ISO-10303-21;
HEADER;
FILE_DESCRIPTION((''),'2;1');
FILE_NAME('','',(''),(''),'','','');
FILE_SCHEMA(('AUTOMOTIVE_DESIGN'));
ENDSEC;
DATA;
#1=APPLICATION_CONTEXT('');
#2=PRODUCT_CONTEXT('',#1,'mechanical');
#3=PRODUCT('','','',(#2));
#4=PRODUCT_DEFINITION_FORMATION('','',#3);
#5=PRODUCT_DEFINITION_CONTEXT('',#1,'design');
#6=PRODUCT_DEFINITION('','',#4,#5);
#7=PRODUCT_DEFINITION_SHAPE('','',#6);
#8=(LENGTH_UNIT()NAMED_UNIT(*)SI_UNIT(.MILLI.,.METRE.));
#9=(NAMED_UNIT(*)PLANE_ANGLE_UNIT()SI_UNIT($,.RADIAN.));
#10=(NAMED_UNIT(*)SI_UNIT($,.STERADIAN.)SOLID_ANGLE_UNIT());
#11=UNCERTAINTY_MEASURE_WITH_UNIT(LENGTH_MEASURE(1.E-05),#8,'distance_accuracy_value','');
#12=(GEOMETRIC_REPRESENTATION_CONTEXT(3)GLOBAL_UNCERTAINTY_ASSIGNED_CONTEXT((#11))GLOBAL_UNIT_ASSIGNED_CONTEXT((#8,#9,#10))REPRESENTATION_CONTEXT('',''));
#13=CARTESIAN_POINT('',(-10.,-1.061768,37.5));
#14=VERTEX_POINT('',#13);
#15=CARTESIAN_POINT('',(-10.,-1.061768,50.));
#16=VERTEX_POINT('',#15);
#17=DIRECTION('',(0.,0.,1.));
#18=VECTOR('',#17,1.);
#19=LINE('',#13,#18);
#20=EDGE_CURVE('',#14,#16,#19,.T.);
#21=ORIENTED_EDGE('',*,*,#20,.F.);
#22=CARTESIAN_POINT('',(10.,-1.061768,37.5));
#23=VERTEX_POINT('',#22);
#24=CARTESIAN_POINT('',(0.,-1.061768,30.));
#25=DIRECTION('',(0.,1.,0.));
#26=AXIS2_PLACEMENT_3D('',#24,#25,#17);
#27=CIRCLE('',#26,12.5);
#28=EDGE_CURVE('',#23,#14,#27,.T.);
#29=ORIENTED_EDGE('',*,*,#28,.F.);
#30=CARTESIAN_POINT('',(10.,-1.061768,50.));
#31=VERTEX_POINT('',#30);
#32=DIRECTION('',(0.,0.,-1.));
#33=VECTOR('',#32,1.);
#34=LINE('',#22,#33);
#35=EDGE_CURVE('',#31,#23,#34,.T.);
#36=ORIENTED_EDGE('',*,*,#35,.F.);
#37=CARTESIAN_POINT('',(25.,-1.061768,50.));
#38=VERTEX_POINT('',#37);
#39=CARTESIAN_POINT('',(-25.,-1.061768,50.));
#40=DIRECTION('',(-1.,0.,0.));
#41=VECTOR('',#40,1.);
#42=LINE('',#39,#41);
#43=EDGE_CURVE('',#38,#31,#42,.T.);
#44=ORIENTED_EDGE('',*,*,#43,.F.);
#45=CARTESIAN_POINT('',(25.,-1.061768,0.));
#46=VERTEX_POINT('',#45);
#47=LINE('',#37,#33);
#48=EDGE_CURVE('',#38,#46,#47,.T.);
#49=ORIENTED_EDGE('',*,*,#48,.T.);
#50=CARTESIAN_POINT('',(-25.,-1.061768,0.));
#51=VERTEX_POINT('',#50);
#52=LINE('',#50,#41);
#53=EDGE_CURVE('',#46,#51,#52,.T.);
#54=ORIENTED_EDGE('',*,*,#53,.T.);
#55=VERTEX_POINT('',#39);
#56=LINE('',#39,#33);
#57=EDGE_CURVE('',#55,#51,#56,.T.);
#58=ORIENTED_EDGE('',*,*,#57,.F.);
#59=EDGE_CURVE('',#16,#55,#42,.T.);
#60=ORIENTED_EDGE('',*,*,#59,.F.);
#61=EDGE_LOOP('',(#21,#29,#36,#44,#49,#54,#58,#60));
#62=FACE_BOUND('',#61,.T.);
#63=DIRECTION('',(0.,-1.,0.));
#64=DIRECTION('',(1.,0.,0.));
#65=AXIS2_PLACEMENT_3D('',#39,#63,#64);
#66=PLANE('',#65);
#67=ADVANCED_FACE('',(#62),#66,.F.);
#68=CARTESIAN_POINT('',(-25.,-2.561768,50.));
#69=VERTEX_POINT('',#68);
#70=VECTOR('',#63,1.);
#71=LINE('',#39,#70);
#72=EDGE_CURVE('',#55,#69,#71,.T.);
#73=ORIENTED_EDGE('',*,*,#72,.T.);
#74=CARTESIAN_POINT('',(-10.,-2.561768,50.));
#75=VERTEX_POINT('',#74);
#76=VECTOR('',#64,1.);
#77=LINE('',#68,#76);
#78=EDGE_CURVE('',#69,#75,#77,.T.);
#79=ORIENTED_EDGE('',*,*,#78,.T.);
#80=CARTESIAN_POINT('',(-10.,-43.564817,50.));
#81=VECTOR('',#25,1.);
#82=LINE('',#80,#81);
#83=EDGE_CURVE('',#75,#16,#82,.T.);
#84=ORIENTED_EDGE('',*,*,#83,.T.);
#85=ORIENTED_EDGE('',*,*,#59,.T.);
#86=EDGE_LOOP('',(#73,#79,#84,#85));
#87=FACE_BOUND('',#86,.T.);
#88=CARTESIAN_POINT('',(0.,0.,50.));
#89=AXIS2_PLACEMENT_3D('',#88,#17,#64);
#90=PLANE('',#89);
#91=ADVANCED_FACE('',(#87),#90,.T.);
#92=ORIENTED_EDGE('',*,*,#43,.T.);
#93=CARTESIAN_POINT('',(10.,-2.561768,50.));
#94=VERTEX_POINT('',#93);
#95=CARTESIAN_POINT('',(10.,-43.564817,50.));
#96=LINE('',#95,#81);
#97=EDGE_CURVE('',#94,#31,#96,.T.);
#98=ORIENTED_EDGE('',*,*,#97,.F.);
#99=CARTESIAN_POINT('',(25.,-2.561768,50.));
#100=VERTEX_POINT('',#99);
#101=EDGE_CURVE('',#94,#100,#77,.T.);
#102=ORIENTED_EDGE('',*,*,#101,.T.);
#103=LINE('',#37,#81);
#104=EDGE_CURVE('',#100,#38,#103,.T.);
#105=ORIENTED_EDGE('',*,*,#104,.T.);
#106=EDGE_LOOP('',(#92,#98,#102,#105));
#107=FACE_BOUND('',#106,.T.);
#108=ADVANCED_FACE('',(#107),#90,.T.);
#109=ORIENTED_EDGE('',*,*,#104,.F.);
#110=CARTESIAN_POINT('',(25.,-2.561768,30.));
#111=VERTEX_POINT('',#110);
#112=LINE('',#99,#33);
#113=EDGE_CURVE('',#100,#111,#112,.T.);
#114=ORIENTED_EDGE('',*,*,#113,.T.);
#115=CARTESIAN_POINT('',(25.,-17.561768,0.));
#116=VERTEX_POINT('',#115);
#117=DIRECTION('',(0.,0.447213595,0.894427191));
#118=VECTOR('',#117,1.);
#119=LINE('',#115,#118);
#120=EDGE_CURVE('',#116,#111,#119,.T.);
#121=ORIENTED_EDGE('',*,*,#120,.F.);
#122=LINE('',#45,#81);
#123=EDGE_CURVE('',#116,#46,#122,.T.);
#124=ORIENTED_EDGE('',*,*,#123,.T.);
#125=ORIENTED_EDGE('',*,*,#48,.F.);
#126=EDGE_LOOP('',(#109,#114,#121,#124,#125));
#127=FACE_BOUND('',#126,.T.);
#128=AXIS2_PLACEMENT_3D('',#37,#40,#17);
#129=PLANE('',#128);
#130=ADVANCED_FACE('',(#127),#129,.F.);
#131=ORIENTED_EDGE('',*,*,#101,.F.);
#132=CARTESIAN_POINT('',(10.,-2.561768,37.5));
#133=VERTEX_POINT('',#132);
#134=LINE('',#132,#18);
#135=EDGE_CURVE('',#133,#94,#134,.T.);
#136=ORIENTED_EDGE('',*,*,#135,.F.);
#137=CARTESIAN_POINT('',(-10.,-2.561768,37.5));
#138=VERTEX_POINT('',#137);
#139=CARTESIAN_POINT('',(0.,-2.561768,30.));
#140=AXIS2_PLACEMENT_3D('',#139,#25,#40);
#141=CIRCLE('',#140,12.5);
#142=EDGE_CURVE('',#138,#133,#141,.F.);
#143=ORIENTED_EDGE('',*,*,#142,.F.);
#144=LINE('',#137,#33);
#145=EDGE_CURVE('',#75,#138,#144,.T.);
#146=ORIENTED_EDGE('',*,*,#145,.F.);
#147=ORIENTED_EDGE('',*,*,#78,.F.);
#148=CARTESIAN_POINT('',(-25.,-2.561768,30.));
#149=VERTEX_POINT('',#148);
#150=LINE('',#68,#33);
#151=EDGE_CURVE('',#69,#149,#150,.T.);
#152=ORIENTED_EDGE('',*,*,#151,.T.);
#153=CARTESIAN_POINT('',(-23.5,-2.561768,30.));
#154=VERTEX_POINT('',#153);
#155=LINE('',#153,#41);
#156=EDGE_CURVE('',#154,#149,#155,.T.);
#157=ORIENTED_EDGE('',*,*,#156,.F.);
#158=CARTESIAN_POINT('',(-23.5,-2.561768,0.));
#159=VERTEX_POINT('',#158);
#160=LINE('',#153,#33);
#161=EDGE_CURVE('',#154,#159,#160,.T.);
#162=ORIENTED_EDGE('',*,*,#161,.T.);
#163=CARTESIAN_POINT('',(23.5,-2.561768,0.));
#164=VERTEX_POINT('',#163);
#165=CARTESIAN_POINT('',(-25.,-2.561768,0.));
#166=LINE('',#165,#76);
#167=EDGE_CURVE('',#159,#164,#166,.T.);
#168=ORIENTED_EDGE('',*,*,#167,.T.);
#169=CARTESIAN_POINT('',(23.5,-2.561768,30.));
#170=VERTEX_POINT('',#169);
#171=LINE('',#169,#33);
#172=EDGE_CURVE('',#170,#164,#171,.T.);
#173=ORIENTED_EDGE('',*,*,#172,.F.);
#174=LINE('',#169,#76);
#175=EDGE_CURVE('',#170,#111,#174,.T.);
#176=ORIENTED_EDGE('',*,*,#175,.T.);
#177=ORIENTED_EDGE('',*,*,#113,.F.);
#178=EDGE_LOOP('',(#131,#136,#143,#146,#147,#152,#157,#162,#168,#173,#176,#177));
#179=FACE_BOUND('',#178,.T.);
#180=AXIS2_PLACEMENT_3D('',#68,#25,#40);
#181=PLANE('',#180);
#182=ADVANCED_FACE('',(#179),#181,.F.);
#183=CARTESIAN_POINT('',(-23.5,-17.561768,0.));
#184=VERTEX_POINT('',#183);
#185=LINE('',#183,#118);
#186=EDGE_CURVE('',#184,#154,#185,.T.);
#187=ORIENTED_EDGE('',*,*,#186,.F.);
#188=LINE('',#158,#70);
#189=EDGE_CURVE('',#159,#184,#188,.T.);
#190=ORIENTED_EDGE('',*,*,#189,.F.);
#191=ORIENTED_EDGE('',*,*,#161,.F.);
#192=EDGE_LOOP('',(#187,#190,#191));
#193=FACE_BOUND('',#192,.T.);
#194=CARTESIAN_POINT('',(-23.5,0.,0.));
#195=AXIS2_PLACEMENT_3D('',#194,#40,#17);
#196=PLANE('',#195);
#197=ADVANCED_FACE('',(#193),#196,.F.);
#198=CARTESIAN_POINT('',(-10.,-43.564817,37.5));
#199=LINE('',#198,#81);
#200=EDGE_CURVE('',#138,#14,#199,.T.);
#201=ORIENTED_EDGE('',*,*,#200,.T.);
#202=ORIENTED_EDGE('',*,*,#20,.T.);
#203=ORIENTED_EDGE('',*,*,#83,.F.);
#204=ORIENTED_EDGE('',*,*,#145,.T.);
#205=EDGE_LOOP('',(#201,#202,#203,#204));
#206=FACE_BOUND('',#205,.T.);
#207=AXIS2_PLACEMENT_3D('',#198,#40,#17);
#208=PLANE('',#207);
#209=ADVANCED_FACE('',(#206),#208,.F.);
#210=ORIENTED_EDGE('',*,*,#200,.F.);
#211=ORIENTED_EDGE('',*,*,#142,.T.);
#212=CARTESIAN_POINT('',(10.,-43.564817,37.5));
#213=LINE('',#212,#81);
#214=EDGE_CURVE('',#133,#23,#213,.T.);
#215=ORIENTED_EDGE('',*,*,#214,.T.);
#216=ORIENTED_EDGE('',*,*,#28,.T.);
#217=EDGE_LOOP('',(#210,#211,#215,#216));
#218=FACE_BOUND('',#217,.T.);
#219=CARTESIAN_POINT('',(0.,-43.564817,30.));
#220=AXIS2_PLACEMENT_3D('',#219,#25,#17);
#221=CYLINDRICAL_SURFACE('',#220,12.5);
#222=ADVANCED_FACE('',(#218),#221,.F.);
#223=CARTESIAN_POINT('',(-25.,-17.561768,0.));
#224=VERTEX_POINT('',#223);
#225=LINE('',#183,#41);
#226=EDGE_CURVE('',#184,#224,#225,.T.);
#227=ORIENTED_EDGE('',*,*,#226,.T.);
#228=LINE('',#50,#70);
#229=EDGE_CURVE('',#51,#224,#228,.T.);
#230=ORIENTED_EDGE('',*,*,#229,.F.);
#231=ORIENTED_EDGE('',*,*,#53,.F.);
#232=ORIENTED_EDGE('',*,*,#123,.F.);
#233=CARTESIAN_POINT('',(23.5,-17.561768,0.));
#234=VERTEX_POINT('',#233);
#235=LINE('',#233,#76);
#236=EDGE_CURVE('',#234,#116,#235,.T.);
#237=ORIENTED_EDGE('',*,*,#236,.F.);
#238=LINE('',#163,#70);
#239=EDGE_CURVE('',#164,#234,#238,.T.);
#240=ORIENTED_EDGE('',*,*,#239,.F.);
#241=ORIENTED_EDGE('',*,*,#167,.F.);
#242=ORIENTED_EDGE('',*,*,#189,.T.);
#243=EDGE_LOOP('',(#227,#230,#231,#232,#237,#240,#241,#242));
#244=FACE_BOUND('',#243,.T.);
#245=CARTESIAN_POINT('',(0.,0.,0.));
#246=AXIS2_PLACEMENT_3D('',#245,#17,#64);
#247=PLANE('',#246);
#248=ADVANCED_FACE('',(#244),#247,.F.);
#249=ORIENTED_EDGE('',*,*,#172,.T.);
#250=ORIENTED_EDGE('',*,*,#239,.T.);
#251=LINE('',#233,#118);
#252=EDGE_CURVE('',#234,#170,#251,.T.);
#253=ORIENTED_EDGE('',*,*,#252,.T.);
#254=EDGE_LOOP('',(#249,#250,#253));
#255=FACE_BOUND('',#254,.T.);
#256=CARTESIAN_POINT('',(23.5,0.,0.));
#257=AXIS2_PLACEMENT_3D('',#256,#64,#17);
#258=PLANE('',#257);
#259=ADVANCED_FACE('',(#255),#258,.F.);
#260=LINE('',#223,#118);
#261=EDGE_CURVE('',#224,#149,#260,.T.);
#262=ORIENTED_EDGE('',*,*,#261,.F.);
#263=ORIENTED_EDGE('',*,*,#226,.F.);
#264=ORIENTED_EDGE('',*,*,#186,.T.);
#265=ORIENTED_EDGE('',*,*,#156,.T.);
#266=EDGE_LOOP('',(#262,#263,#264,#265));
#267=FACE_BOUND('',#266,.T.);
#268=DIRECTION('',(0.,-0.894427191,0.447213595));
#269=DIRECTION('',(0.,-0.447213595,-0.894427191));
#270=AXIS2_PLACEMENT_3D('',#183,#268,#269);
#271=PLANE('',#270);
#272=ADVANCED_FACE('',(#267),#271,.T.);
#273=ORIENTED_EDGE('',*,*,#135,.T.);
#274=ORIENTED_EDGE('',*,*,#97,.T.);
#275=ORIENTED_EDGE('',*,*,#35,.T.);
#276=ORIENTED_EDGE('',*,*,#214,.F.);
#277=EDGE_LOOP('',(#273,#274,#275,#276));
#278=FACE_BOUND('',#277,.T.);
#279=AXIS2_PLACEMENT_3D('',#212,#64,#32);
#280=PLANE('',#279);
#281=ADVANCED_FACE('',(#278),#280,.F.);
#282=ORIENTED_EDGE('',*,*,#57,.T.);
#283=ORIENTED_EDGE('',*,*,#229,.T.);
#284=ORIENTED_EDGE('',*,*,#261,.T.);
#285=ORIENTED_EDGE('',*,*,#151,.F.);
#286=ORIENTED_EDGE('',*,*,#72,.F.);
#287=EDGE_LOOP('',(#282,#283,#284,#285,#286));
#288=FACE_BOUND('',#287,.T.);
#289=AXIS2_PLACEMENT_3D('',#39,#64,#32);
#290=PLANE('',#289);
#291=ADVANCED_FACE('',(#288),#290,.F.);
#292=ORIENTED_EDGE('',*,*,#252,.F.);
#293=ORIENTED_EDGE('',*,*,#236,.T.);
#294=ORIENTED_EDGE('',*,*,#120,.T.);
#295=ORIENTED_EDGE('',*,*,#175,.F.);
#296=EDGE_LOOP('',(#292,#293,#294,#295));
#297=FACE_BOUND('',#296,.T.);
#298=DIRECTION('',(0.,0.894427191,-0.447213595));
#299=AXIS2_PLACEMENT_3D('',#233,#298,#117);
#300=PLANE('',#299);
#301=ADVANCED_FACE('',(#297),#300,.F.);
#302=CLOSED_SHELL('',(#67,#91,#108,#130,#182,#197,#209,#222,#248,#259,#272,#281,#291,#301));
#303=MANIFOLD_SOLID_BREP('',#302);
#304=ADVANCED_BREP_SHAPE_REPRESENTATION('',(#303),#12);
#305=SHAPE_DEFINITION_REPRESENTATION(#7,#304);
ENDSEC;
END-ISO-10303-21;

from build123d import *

# Parameters (mm, degrees)
SKETCH1_W           = 50
SKETCH1_H           = 1.5
BOSS_EXTRUDE1_DEPTH = 50
CUT_EXTRUDE1_DEPTH  = 1.5
BOSS_EXTRUDE2_DEPTH = 1.5


with BuildPart() as part:
    # Sketch1 → Boss-Extrude1 (new body)
    with BuildSketch(Plane.XY):
        with Locations((0, -1.811768481)):
            Rectangle(SKETCH1_W, SKETCH1_H)
    extrude(amount=BOSS_EXTRUDE1_DEPTH)

    # Sketch2 → Cut-Extrude1 (cut)
    with BuildSketch(Plane(origin=(0, -1.061768481, 0), x_dir=(1, 0, 0), z_dir=(0, 1, 0))):
        with BuildLine():
            Line((-10, -37.5), (-10, -50))
            Line((-10, -50), (10, -50))
            Line((10, -50), (10, -37.5))
            ThreePointArc((10, -37.5), (0, -17.5), (-10, -37.5))
        make_face()
    extrude(amount=-CUT_EXTRUDE1_DEPTH, mode=Mode.SUBTRACT)

    # Sketch4 → Boss-Extrude2 (add)
    with BuildSketch(Plane.ZY.offset(25)):
        Polygon((0, -2.561768481), (0, -17.561768481), (30, -2.561768481), align=None)
    boss_extrude2 = extrude(amount=-BOSS_EXTRUDE2_DEPTH)

    # Mirror1: Boss-Extrude2 across plane
    add(boss_extrude2.mirror(Plane(origin=(0, 0, 0), x_dir=(0, 0, 1), z_dir=(1, 0, 0))))


solid = part.part
